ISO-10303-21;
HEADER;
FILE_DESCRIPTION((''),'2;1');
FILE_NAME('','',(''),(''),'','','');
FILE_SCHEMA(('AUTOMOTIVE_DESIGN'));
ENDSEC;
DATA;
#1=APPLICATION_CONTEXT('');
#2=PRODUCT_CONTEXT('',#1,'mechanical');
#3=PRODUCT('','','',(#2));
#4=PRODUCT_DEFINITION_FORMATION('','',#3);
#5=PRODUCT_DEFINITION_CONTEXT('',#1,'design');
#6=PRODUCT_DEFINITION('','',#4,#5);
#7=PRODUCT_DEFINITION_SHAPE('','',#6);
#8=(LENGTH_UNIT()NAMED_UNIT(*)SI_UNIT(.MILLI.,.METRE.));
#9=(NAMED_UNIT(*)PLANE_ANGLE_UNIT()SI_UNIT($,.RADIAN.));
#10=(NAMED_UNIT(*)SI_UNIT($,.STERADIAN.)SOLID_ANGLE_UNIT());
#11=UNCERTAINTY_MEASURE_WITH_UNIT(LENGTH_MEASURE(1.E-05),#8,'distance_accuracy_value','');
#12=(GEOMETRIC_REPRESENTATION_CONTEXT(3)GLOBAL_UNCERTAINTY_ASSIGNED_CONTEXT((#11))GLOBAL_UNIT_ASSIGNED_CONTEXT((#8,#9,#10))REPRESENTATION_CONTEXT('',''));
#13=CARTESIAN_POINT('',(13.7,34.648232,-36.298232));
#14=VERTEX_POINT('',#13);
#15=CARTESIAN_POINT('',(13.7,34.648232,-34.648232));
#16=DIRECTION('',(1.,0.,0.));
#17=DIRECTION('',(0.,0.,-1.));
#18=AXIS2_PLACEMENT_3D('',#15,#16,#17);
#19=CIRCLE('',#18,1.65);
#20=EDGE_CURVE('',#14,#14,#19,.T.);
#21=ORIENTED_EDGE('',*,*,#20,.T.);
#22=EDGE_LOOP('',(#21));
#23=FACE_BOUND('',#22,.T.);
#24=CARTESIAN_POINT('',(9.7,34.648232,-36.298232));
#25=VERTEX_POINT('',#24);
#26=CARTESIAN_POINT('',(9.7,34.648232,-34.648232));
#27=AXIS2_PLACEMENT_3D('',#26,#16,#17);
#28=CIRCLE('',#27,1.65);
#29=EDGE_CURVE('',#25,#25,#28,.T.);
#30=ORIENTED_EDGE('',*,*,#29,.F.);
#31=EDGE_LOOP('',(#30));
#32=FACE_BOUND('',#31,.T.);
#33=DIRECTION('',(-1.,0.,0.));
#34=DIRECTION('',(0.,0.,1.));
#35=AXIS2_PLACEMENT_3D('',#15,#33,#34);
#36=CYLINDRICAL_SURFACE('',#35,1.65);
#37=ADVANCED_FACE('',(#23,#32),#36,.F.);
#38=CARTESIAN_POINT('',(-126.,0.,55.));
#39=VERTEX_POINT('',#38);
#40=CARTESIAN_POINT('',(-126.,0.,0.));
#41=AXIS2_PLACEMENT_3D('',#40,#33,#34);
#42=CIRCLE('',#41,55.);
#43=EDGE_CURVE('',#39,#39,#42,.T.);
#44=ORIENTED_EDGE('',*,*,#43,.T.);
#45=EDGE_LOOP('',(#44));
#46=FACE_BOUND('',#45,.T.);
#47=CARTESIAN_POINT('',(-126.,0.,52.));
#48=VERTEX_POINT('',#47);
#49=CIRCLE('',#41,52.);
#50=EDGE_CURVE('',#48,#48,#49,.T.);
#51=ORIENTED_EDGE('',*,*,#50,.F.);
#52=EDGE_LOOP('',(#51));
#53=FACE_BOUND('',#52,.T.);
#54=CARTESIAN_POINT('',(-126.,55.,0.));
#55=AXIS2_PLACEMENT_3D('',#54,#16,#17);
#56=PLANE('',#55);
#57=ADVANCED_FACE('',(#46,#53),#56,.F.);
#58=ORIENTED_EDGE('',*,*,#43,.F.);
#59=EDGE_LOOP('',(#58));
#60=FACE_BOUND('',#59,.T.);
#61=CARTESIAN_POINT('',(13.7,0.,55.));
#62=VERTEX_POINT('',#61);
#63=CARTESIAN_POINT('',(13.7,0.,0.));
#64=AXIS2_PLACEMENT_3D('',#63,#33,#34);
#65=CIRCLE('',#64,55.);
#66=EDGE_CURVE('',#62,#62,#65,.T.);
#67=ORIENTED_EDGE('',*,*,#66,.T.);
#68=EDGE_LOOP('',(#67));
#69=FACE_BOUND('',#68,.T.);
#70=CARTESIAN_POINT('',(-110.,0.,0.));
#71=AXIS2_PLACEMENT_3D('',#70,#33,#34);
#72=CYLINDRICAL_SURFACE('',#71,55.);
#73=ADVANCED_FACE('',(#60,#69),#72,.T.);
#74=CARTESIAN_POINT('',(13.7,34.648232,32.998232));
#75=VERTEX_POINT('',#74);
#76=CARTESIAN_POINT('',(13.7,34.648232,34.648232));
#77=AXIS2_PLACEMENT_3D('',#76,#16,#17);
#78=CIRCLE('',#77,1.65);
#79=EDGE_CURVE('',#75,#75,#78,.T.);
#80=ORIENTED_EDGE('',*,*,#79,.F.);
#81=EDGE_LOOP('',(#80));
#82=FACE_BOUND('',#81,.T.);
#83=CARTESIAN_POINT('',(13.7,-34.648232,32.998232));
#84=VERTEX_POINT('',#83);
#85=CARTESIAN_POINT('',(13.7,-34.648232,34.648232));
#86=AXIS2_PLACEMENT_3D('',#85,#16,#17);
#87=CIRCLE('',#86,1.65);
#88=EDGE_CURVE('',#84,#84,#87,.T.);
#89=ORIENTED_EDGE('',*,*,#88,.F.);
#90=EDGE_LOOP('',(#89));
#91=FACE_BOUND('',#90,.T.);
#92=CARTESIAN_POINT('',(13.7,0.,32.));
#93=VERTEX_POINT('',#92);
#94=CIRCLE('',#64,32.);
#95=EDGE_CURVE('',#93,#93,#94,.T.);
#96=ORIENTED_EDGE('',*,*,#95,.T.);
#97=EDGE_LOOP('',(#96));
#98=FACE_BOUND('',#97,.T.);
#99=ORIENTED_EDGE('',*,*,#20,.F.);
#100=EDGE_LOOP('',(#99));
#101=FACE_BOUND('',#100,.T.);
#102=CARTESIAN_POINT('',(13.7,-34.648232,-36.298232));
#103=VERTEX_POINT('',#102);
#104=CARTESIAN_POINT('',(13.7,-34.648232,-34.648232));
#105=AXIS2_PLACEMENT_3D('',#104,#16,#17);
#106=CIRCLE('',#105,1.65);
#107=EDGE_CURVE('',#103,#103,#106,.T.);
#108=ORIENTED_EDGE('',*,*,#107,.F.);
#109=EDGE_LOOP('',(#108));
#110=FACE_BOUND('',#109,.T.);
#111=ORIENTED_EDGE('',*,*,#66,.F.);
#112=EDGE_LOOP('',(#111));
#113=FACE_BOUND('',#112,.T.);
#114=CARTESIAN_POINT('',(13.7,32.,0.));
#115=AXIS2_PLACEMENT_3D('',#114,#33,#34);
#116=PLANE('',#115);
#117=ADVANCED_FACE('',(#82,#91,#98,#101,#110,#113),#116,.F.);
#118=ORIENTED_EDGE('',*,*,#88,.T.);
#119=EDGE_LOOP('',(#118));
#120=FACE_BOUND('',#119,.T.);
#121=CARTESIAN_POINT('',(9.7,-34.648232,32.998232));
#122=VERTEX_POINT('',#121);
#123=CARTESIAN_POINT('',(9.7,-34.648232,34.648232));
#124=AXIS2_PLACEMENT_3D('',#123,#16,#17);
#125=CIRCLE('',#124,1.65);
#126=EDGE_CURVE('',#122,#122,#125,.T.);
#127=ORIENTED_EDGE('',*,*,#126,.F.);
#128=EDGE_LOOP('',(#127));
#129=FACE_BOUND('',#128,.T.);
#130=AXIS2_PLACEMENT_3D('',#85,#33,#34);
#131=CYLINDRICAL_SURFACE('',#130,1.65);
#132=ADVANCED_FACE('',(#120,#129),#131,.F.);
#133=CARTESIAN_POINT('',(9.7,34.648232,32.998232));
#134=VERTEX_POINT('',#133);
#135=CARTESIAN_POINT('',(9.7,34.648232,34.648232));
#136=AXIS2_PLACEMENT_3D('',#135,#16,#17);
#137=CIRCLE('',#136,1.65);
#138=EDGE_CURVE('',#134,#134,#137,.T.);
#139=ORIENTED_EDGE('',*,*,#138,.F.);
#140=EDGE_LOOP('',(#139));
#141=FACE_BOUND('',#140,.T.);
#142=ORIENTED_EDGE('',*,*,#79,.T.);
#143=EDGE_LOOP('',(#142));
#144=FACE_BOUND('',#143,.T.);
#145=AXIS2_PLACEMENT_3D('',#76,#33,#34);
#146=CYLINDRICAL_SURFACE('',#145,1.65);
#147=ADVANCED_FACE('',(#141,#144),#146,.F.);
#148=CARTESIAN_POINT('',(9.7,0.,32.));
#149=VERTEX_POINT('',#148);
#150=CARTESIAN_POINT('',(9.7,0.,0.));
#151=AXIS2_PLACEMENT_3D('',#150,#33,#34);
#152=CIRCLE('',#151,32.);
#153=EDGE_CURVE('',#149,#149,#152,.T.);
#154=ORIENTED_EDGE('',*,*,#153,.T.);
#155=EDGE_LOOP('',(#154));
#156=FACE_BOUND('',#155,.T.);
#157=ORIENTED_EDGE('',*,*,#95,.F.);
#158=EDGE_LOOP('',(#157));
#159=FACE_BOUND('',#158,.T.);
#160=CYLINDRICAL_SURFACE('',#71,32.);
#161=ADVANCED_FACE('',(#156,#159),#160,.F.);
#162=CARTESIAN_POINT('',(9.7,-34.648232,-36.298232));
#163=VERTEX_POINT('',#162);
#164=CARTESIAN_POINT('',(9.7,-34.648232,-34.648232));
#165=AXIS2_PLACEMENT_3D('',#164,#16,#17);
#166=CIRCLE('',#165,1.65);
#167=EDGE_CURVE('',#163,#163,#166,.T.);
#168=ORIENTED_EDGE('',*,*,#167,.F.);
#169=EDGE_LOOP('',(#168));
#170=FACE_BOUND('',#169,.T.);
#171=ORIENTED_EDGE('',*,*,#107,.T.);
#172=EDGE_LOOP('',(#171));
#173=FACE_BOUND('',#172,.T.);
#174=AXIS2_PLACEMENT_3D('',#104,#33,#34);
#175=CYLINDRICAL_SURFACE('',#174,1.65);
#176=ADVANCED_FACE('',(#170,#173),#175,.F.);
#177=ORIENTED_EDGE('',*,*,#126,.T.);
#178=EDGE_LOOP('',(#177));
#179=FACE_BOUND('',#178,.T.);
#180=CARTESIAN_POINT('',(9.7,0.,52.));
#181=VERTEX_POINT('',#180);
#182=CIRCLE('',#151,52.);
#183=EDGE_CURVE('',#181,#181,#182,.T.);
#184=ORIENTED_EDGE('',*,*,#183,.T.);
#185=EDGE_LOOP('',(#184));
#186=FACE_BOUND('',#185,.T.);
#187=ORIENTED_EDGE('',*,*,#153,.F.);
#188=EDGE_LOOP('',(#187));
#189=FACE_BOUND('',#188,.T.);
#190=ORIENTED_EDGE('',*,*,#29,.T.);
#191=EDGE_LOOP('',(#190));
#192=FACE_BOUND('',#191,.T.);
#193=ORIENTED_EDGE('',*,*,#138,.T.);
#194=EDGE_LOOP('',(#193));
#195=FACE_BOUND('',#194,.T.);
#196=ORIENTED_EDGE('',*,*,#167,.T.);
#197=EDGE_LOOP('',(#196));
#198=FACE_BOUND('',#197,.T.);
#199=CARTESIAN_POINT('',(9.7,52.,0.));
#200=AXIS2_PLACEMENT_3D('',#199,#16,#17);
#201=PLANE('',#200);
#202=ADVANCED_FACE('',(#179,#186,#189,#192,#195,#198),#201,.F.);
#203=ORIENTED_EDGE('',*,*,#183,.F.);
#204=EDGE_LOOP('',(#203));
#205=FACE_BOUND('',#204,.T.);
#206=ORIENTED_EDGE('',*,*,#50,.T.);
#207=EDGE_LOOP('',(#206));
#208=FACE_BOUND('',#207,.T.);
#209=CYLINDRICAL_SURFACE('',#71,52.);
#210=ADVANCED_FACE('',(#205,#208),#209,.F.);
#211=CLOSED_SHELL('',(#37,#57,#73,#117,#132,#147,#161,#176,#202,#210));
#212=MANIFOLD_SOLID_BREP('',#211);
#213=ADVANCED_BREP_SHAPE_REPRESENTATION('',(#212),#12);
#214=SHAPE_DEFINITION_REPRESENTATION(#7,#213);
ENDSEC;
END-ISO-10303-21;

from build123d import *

# Parameters (mm, degrees)
AXIAL_START       = 9.7
SKETCH2_R         = 1.65
AXIAL_HOLES_DEPTH = 4


with BuildPart() as part:
    # Axial profile (mm) → Full revolution (revolve)
    with BuildSketch(Plane.XY, mode=Mode.PRIVATE) as full_revolution_sk:
        Polygon((-126, 52), (9.7, 52), (9.7, 32), (13.7, 32), (13.7, 55), (-126, 55), align=None)
    revolve(full_revolution_sk.sketch.rotate(Axis((-110, 0, 0), (1, 0, 0)), 90), axis=Axis((-110, 0, 0), (1, 0, 0)))

    # Sketch2 → Axial holes (cut)
    with BuildSketch(Plane(origin=(0, 0, 0), x_dir=(0, 0, -1), z_dir=(1, 0, 0)).offset(AXIAL_START)):
        with Locations((-34.648232278, 34.648232278)):
            Circle(SKETCH2_R)
        with Locations((-34.648232278, -34.648232278)):
            Circle(SKETCH2_R)
        with Locations((34.648232278, -34.648232278)):
            Circle(SKETCH2_R)
        with Locations((34.648232278, 34.648232278)):
            Circle(SKETCH2_R)
    extrude(amount=AXIAL_HOLES_DEPTH, mode=Mode.SUBTRACT)


solid = part.part
